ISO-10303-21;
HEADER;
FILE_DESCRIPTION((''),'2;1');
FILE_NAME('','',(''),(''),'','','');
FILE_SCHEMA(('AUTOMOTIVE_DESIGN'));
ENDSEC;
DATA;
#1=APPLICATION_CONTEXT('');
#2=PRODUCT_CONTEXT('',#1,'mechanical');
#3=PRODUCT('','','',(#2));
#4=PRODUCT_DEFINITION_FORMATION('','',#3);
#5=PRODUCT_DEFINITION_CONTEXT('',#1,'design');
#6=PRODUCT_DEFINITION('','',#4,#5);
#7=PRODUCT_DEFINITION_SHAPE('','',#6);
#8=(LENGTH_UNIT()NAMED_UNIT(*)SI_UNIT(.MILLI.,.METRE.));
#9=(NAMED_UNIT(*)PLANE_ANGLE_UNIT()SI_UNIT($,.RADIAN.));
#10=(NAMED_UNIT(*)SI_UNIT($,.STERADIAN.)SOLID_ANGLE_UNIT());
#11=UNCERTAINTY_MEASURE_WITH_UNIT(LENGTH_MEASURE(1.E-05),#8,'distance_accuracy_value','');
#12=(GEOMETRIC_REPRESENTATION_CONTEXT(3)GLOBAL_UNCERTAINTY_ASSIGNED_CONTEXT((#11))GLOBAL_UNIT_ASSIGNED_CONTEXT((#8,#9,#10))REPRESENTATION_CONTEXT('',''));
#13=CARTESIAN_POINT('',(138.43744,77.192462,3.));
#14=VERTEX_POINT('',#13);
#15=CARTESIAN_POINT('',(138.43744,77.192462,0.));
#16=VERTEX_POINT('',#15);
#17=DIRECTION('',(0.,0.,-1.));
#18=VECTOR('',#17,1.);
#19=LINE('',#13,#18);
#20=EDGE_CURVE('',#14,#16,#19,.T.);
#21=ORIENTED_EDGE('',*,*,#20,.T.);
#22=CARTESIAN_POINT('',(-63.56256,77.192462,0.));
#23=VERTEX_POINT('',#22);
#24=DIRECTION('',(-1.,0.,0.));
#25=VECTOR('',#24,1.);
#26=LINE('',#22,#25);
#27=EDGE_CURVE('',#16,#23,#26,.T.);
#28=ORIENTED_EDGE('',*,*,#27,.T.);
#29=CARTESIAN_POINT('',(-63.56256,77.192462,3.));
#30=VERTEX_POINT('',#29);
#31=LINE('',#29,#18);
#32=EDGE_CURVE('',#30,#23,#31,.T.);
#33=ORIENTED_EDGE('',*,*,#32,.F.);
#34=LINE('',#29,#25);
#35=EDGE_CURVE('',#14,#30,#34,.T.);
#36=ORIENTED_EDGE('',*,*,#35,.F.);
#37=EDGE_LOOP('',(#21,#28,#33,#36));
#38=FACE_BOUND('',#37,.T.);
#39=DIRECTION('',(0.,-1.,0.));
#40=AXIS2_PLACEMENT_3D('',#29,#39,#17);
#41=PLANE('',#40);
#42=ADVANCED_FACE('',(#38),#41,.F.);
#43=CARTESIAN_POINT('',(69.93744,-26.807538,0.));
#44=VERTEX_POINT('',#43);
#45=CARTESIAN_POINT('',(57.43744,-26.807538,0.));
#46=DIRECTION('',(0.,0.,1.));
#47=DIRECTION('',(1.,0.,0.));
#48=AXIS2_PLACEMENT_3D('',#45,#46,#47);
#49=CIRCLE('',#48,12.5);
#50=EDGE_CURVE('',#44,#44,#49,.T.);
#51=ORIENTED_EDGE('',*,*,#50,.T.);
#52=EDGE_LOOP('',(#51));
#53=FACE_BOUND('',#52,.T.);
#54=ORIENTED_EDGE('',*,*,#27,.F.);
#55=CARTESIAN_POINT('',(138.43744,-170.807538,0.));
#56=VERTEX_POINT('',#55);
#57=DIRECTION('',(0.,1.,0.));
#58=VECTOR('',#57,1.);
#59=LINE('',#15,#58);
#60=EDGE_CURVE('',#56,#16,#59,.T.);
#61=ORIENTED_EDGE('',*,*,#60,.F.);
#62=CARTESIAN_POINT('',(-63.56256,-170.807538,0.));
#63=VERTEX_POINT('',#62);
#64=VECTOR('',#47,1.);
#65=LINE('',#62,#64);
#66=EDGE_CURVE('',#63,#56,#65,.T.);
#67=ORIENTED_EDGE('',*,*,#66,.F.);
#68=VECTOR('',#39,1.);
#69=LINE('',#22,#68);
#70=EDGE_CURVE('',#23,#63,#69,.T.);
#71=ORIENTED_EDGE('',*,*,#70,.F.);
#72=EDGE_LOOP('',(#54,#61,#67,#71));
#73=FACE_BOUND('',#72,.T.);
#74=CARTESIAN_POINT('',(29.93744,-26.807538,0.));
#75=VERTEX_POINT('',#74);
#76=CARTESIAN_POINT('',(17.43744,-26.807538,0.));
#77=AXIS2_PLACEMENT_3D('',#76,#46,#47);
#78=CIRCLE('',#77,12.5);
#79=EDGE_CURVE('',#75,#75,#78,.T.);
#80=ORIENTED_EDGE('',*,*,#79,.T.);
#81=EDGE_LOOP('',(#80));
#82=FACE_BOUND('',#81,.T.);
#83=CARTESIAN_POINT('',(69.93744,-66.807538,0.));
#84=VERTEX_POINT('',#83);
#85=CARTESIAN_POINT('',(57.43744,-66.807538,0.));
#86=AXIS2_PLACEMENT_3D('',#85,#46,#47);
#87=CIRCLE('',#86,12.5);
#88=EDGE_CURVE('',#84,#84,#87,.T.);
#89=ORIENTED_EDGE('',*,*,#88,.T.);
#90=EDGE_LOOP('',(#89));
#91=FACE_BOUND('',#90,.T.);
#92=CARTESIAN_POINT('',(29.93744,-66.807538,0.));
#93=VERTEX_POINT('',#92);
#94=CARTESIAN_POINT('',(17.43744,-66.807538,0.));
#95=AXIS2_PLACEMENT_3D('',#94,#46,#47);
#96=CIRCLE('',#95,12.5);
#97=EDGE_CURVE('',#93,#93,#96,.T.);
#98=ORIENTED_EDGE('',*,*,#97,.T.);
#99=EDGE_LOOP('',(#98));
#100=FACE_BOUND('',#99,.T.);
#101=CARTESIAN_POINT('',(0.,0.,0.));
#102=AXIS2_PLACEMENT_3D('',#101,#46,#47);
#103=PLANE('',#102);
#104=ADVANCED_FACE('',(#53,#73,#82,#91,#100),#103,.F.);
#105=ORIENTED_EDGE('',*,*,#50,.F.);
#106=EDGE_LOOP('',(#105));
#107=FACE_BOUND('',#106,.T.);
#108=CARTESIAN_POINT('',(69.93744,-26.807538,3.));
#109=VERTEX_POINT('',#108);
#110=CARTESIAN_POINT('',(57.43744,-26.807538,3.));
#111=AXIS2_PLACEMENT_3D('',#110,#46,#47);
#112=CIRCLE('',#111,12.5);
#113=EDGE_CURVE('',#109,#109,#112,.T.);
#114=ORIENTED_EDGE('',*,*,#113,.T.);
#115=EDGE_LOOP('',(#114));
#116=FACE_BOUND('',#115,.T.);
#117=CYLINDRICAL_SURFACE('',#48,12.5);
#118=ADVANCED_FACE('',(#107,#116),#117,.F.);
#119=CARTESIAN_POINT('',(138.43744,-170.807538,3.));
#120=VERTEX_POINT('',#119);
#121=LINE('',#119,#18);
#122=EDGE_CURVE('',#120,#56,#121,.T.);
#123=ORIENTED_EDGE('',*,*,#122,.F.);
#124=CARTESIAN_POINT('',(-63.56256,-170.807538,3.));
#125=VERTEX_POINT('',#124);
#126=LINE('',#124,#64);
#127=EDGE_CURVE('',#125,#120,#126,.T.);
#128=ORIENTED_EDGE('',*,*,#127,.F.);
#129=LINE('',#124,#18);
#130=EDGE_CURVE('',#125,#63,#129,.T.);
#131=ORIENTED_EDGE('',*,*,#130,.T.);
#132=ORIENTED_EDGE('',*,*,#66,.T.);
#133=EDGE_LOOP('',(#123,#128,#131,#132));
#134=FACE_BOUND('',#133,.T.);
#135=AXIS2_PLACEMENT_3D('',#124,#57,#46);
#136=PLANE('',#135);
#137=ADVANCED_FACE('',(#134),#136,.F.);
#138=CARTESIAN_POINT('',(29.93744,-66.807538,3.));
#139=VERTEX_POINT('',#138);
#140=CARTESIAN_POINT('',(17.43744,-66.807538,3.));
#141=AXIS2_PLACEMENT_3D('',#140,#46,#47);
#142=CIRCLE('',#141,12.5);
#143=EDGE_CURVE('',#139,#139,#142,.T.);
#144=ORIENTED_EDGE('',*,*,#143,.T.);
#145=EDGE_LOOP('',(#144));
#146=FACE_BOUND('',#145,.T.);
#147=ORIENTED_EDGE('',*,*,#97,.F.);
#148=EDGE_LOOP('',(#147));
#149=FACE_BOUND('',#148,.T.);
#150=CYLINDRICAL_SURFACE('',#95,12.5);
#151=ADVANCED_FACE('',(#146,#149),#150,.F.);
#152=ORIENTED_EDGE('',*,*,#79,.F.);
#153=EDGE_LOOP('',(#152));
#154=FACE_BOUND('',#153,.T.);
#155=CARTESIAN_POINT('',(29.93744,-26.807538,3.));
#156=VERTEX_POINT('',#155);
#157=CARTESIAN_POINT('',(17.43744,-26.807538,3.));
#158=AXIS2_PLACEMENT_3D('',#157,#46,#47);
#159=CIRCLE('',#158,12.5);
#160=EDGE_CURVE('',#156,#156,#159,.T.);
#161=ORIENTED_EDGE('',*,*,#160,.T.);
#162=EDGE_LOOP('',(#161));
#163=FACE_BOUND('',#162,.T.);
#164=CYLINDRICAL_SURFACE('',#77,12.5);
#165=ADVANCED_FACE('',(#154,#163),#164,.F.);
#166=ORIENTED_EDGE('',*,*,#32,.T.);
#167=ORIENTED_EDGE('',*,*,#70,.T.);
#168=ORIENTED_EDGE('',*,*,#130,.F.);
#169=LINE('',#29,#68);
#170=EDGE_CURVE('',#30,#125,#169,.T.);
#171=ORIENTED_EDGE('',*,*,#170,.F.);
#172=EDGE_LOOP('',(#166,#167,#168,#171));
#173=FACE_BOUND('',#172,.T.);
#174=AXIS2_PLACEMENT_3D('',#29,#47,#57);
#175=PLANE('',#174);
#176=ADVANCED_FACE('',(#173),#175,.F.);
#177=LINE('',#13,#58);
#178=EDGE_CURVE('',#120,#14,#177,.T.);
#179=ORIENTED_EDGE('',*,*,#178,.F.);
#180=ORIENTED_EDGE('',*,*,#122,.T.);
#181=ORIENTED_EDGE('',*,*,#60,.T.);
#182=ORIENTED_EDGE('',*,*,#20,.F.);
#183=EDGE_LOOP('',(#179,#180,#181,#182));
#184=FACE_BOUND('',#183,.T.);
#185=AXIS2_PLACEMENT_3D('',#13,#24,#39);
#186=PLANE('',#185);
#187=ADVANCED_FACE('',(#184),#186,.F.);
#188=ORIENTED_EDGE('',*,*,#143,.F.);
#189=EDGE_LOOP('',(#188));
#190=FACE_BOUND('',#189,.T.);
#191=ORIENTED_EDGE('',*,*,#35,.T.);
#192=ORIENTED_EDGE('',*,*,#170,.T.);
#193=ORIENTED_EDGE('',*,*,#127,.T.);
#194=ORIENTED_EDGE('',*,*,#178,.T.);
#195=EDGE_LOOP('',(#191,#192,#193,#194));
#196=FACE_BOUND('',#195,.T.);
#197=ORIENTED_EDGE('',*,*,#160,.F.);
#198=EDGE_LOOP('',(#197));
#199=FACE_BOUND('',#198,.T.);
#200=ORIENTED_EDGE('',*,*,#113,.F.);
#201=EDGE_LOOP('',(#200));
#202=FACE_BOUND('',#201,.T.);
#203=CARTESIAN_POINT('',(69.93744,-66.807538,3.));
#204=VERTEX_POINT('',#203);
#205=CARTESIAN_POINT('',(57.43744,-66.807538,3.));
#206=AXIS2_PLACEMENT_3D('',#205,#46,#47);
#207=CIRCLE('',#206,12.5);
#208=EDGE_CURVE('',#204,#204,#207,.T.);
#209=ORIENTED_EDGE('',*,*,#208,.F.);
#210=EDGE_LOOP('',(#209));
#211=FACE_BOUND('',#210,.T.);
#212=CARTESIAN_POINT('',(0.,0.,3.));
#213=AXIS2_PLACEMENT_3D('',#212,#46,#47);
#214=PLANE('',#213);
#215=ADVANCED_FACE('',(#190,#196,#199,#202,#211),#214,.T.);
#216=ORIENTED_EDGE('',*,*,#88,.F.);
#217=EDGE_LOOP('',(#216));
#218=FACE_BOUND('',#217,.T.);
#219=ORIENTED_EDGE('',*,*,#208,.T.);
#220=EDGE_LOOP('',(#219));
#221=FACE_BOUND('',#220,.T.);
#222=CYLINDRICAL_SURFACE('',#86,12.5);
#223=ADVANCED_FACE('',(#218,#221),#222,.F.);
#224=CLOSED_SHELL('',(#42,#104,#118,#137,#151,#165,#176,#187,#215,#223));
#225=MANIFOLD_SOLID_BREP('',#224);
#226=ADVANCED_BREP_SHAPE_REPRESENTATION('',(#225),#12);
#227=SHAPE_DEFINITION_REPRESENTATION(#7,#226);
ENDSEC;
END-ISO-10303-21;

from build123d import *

# Parameters (mm, degrees)
ESQUISSE1_W             = 202
ESQUISSE1_H             = 248
BOSS_EXTRU_1_DEPTH      = 3
ESQUISSE2_R             = 12.5
ENL_V_MAT_EXTRU_1_DEPTH = 3


with BuildPart() as part:
    # Esquisse1 → Boss.-Extru.1 (new body)
    with BuildSketch(Plane.XY):
        with Locations((37.437440197, -46.807538036)):
            Rectangle(ESQUISSE1_W, ESQUISSE1_H)
    extrude(amount=BOSS_EXTRU_1_DEPTH)

    # Esquisse2 → Enlèv. mat.-Extru.1 (cut)
    with BuildSketch(Plane.XY.offset(3)):
        with Locations((17.437440197, -26.807538036)):
            Circle(ESQUISSE2_R)
        with Locations((57.437440197, -26.807538036)):
            Circle(ESQUISSE2_R)
        with Locations((57.437440197, -66.807538036)):
            Circle(ESQUISSE2_R)
        with Locations((17.437440197, -66.807538036)):
            Circle(ESQUISSE2_R)
    extrude(amount=-ENL_V_MAT_EXTRU_1_DEPTH, mode=Mode.SUBTRACT)


solid = part.part
